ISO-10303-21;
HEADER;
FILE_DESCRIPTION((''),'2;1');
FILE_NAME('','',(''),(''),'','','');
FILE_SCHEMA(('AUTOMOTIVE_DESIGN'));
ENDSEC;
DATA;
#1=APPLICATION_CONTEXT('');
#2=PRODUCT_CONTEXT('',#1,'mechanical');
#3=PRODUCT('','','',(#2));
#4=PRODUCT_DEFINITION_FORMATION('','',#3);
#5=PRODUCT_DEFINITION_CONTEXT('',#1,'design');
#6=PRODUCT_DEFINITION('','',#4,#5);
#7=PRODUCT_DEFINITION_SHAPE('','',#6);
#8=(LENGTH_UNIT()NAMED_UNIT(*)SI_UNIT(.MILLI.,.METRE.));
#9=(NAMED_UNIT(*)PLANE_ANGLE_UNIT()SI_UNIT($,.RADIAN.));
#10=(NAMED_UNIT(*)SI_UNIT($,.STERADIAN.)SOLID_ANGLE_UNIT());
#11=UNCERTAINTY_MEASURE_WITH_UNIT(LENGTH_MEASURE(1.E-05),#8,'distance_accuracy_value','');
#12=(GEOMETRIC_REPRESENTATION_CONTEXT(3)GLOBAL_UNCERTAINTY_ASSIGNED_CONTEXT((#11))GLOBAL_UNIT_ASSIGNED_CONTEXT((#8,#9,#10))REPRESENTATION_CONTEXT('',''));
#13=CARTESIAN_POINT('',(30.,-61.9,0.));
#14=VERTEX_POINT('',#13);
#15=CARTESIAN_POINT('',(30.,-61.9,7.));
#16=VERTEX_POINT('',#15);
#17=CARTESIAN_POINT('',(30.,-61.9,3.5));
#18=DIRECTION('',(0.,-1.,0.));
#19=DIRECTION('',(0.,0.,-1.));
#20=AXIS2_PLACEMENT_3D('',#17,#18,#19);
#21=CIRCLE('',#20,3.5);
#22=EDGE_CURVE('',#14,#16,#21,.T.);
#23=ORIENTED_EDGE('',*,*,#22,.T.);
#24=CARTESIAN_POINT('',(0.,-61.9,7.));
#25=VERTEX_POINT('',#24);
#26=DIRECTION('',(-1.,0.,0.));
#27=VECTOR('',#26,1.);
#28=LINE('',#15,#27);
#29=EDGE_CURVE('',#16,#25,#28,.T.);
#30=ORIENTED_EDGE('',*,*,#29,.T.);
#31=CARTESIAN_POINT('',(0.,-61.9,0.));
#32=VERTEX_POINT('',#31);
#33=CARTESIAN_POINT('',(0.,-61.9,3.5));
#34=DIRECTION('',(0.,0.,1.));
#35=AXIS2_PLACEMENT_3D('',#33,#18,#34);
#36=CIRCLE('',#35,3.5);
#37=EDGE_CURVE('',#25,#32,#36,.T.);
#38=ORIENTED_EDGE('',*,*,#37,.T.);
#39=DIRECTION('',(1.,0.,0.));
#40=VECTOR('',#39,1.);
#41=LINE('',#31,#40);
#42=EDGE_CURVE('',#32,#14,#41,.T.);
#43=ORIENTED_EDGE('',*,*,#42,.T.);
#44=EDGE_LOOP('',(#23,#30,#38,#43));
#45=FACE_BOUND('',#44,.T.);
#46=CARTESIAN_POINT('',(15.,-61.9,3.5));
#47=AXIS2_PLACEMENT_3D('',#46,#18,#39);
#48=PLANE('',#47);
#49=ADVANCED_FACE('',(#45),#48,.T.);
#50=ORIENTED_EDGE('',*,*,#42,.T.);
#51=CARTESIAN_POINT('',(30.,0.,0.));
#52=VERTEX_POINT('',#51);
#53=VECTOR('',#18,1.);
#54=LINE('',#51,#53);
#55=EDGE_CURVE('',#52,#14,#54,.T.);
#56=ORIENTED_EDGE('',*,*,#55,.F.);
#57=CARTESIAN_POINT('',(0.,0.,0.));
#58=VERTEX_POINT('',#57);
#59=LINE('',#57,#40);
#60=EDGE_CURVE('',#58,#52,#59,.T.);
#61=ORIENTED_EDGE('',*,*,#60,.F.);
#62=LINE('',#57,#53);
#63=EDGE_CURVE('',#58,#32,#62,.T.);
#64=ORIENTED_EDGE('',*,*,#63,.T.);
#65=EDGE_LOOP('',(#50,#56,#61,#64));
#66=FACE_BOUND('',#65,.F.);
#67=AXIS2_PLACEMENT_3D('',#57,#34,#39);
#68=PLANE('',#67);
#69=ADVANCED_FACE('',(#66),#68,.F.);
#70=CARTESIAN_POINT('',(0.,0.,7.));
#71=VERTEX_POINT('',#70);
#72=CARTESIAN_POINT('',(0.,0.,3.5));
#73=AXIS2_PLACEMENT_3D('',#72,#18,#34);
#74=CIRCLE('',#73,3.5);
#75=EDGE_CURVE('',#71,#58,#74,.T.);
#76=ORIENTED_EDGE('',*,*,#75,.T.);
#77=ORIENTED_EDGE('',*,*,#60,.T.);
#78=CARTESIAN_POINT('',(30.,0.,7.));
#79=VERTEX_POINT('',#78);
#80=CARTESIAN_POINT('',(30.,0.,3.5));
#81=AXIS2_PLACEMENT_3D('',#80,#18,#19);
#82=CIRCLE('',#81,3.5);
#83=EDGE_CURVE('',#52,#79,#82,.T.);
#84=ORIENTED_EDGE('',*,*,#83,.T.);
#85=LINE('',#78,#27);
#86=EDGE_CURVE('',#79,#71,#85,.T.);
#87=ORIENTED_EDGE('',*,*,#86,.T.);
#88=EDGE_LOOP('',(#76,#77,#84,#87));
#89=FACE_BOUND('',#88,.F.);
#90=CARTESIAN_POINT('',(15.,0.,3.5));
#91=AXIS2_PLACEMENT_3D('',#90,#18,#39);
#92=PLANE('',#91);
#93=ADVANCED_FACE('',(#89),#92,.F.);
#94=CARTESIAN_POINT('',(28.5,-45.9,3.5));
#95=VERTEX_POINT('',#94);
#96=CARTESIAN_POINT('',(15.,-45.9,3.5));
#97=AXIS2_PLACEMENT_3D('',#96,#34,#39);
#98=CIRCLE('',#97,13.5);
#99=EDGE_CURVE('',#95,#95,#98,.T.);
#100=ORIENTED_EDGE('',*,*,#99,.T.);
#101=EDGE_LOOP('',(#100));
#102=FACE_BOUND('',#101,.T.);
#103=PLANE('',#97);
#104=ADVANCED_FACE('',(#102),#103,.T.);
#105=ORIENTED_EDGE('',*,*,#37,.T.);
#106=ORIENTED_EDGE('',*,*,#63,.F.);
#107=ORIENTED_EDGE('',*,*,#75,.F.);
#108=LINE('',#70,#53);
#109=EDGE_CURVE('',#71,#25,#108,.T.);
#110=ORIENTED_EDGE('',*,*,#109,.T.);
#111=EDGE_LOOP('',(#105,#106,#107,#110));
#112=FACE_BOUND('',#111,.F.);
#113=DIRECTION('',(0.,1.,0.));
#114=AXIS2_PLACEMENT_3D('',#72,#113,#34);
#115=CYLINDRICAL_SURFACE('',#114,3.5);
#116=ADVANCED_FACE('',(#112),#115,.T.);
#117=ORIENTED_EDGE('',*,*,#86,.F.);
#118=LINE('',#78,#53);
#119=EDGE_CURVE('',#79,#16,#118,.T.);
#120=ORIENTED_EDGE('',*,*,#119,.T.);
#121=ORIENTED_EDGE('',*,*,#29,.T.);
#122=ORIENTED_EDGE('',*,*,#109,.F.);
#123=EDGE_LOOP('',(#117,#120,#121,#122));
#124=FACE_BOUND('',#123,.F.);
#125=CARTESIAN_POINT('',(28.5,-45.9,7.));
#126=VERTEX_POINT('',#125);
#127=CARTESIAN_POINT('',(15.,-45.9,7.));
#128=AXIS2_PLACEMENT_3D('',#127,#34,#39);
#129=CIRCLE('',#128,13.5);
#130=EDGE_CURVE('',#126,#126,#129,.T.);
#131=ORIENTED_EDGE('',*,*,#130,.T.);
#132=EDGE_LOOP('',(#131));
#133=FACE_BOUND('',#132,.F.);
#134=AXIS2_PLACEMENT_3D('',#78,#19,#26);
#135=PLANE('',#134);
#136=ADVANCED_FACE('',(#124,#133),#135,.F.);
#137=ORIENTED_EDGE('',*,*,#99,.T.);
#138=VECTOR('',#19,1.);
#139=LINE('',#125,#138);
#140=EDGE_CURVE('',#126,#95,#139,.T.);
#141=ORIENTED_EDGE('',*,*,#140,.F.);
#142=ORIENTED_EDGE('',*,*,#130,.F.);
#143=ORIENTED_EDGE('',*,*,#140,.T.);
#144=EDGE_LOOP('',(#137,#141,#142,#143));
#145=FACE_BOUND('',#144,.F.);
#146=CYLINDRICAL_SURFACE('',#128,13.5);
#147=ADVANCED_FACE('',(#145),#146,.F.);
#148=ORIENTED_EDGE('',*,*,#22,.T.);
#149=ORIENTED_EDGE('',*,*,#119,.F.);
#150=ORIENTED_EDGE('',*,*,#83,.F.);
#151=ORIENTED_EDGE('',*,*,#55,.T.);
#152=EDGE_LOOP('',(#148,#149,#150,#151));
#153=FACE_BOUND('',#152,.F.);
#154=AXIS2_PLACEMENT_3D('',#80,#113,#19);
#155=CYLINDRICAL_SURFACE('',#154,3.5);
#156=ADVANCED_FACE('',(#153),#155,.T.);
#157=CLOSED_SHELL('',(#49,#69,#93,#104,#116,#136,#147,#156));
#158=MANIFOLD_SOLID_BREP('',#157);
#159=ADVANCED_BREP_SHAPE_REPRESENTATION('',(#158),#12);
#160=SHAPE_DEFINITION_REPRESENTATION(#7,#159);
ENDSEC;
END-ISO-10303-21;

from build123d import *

# Parameters (mm, degrees)
F1_DEPTH = 61.9
F2_R     = 13.5
F3_DEPTH = 3.5


with BuildPart() as f1:
    # F0 (on Front) → F1 (new body)
    with BuildSketch(Plane.XZ):
        with BuildLine():
            ThreePointArc((0, 7), (-3.5, 3.5), (0, 0))
            Line((0, 0), (30, 0))
            ThreePointArc((30, 0), (33.5, 3.5), (30, 7))
            Line((30, 7), (0, 7))
        make_face()
    extrude(amount=F1_DEPTH)

    # F2 (on face) → F3 (cut)
    with BuildSketch(Plane.XY.offset(7)):
        with Locations((15, -45.9)):
            Circle(F2_R)
    extrude(amount=-F3_DEPTH, mode=Mode.SUBTRACT)


solid = f1.part
